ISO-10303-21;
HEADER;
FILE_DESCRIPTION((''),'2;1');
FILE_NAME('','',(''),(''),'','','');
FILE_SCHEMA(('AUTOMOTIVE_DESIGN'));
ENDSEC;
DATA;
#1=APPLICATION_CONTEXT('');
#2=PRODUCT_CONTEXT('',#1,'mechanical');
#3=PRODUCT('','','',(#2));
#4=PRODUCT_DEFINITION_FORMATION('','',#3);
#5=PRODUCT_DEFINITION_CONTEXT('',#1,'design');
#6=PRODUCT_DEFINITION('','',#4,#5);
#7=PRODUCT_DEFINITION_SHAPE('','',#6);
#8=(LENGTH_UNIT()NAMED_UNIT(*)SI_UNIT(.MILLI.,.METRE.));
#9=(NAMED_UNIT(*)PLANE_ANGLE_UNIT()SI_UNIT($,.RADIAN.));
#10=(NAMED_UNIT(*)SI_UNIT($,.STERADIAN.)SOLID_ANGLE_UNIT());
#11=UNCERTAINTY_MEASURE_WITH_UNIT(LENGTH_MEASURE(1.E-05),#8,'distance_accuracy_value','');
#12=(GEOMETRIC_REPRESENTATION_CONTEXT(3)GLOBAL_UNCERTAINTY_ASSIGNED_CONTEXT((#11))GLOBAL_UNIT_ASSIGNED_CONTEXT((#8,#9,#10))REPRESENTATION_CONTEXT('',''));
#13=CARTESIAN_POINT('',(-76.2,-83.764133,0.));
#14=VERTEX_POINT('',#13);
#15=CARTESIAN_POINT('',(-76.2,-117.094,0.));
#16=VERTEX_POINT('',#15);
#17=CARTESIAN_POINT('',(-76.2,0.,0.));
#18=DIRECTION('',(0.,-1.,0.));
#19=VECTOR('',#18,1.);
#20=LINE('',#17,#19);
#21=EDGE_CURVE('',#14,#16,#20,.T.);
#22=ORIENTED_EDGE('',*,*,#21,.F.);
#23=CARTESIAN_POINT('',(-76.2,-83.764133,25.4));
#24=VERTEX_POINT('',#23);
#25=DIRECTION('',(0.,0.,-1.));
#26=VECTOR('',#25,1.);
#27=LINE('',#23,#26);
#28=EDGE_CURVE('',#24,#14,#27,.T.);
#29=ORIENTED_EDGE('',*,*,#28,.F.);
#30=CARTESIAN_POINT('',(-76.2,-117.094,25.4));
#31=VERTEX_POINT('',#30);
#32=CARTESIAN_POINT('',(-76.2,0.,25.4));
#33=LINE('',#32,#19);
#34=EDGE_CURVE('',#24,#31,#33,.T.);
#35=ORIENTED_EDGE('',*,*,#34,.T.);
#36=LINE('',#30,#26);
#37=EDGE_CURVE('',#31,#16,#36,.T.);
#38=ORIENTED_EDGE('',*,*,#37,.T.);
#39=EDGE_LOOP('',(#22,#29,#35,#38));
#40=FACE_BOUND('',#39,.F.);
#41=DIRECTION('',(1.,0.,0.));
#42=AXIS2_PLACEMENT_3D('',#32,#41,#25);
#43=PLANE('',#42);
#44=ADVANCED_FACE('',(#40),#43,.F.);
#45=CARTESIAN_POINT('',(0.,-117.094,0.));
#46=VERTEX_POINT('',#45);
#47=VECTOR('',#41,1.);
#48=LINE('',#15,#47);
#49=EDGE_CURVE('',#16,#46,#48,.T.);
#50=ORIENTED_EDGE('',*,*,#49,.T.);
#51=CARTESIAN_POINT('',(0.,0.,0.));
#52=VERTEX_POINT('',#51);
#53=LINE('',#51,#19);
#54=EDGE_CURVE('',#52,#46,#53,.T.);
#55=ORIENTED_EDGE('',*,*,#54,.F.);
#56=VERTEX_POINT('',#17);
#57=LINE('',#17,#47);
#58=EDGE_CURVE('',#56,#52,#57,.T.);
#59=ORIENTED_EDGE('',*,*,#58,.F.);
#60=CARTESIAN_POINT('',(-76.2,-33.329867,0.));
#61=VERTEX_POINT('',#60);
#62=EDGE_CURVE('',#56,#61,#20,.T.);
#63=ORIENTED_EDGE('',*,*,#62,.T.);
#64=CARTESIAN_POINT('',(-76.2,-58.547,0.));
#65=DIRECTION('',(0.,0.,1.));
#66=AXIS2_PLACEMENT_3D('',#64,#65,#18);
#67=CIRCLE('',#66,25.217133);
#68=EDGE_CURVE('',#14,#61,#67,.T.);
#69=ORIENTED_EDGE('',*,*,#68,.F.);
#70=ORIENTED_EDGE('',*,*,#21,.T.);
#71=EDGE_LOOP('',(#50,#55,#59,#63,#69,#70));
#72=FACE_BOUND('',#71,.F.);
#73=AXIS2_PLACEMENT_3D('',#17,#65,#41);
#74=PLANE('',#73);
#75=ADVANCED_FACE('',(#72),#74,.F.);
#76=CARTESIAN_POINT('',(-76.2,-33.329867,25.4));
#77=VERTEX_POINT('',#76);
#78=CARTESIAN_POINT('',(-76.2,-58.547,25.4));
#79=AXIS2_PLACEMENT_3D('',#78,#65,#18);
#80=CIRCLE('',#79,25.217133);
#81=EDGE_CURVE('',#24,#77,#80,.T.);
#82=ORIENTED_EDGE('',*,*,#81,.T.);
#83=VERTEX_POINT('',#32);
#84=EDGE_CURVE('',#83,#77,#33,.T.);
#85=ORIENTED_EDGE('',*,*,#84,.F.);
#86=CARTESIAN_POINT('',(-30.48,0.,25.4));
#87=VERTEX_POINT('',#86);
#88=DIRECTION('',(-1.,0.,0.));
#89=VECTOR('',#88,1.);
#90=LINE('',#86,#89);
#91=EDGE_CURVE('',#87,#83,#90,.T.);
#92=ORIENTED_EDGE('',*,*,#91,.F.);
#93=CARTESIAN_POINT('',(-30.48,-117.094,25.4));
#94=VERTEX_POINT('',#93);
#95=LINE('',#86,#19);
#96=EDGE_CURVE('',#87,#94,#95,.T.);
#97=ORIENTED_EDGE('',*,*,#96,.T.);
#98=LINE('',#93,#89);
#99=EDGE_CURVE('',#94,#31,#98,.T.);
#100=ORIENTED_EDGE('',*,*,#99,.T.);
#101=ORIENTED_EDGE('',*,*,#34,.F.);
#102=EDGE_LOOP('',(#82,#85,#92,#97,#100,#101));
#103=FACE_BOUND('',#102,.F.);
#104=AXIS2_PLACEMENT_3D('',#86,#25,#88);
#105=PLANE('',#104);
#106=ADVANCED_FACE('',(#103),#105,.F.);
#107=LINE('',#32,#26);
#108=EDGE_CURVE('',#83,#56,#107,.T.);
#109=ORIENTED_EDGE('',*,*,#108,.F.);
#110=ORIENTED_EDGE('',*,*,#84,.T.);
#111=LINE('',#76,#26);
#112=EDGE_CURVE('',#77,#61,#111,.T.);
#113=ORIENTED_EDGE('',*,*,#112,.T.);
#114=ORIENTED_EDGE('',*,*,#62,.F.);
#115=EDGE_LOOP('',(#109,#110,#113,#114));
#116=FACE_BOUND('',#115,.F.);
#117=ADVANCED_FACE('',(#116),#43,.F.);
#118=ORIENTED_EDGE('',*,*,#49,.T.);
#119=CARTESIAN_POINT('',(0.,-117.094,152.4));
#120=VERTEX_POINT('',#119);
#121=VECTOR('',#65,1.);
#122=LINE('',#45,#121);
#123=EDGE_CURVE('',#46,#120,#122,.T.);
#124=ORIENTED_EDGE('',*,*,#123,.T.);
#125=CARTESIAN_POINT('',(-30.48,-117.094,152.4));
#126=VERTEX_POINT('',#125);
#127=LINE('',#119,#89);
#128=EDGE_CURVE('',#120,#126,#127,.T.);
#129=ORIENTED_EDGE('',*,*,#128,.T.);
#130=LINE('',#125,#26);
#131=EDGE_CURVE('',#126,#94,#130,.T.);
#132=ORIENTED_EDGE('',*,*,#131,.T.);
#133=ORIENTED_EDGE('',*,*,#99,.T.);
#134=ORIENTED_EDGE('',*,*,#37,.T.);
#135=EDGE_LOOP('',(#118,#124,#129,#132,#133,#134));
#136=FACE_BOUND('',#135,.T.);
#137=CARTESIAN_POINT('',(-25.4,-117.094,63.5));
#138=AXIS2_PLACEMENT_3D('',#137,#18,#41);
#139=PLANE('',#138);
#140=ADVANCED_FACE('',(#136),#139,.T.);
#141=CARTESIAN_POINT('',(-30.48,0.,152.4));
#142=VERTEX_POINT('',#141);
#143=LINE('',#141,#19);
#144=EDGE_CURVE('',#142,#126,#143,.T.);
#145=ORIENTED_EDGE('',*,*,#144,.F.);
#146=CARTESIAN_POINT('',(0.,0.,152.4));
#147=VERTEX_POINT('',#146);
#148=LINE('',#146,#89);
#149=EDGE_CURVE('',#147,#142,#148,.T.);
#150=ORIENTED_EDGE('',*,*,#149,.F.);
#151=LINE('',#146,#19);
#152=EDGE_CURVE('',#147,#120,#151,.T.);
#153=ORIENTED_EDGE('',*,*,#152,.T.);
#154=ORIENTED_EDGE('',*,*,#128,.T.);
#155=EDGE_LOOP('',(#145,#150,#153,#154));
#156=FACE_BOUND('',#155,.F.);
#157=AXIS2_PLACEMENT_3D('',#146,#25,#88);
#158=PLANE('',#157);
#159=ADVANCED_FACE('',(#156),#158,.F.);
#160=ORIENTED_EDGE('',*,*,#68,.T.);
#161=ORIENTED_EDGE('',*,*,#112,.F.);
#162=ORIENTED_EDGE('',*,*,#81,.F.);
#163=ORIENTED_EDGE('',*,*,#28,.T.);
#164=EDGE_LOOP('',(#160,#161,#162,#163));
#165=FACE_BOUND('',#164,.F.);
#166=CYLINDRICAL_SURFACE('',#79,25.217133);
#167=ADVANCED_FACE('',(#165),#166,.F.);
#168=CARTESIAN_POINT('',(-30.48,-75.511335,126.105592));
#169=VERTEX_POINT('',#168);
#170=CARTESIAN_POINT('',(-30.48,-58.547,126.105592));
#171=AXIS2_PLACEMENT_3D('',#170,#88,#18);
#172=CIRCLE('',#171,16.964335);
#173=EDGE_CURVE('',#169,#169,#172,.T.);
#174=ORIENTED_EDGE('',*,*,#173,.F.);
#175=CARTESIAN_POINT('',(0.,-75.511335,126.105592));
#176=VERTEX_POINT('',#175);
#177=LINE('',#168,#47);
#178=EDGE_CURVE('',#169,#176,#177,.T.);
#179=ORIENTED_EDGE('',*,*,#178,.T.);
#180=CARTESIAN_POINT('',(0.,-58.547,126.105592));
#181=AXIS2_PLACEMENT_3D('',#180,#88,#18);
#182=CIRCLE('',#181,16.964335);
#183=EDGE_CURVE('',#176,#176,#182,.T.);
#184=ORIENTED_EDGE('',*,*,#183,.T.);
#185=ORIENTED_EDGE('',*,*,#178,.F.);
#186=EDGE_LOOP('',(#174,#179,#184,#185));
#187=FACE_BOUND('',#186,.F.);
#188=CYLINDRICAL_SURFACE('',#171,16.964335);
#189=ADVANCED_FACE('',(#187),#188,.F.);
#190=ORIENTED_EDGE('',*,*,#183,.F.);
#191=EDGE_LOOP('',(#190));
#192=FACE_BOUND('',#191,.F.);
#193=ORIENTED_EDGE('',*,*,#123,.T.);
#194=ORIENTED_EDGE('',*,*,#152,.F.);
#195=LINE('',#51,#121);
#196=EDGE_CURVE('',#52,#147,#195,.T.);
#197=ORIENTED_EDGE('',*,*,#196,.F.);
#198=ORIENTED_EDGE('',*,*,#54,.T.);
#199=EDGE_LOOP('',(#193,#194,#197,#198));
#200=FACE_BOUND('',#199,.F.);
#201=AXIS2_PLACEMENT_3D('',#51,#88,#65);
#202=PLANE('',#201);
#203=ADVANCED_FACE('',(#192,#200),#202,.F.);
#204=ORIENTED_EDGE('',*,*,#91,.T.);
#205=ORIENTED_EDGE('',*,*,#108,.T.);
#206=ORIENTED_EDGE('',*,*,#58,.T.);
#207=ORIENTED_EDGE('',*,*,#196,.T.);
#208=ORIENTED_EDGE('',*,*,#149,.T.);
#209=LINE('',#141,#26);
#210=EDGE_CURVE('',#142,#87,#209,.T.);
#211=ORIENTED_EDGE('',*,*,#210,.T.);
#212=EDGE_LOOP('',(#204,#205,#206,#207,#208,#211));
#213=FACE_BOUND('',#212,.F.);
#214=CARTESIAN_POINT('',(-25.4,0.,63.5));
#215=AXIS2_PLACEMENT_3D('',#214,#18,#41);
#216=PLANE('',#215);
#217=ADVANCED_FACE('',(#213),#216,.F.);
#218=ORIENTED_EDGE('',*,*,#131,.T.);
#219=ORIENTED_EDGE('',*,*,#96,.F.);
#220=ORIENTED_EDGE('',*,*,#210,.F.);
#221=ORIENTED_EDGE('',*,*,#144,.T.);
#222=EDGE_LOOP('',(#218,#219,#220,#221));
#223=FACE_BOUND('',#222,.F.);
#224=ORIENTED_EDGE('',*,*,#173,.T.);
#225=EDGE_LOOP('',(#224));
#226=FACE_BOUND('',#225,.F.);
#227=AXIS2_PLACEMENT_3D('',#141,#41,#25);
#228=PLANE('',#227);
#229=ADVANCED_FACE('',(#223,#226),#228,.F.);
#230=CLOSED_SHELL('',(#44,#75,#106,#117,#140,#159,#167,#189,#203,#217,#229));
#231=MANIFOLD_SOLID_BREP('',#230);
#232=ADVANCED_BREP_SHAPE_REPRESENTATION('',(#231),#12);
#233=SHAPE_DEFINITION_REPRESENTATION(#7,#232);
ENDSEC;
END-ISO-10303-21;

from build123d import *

# Parameters (mm, degrees)
F1_DEPTH = 117.094
F4_DEPTH = 25.4
F2_R     = 16.9643352209
F2_R_2   = 9.9441
F5_DEPTH = 65.278


with BuildPart() as f1:
    # F0 (on Front) → F1 (new body)
    with BuildSketch(Plane.XZ):
        Polygon((-76.2, 0), (0, 0), (0, 152.4), (-30.48, 152.4), (-30.48, 25.4), (-76.2, 25.4), align=None)
    extrude(amount=F1_DEPTH)

    # F3 (on face) → F4 (cut)
    with BuildSketch(Plane.XY.offset(25.4)):
        with BuildLine():
            ThreePointArc((-76.2, -83.7641331735), (-50.9828668265, -58.547), (-76.2, -33.3298668265))
            Line((-76.2, -33.3298668265), (-76.2, -83.7641331735))
        make_face()
    extrude(amount=-F4_DEPTH, mode=Mode.SUBTRACT)

    # F2 (on face) → F5 (cut)
    with BuildSketch(Plane(origin=(-30.48, 0, 0), x_dir=(0, -1, 0), z_dir=(-1, 0, 0))):
        with Locations((58.547, 126.1055916548)):
            Circle(F2_R)
        with Locations((58.547, 126.1055916548)):
            Circle(F2_R_2, mode=Mode.SUBTRACT)
        with Locations((58.547, 126.1055916548)):
            Circle(F2_R_2)
    extrude(amount=-F5_DEPTH, mode=Mode.SUBTRACT)


solid = f1.part
